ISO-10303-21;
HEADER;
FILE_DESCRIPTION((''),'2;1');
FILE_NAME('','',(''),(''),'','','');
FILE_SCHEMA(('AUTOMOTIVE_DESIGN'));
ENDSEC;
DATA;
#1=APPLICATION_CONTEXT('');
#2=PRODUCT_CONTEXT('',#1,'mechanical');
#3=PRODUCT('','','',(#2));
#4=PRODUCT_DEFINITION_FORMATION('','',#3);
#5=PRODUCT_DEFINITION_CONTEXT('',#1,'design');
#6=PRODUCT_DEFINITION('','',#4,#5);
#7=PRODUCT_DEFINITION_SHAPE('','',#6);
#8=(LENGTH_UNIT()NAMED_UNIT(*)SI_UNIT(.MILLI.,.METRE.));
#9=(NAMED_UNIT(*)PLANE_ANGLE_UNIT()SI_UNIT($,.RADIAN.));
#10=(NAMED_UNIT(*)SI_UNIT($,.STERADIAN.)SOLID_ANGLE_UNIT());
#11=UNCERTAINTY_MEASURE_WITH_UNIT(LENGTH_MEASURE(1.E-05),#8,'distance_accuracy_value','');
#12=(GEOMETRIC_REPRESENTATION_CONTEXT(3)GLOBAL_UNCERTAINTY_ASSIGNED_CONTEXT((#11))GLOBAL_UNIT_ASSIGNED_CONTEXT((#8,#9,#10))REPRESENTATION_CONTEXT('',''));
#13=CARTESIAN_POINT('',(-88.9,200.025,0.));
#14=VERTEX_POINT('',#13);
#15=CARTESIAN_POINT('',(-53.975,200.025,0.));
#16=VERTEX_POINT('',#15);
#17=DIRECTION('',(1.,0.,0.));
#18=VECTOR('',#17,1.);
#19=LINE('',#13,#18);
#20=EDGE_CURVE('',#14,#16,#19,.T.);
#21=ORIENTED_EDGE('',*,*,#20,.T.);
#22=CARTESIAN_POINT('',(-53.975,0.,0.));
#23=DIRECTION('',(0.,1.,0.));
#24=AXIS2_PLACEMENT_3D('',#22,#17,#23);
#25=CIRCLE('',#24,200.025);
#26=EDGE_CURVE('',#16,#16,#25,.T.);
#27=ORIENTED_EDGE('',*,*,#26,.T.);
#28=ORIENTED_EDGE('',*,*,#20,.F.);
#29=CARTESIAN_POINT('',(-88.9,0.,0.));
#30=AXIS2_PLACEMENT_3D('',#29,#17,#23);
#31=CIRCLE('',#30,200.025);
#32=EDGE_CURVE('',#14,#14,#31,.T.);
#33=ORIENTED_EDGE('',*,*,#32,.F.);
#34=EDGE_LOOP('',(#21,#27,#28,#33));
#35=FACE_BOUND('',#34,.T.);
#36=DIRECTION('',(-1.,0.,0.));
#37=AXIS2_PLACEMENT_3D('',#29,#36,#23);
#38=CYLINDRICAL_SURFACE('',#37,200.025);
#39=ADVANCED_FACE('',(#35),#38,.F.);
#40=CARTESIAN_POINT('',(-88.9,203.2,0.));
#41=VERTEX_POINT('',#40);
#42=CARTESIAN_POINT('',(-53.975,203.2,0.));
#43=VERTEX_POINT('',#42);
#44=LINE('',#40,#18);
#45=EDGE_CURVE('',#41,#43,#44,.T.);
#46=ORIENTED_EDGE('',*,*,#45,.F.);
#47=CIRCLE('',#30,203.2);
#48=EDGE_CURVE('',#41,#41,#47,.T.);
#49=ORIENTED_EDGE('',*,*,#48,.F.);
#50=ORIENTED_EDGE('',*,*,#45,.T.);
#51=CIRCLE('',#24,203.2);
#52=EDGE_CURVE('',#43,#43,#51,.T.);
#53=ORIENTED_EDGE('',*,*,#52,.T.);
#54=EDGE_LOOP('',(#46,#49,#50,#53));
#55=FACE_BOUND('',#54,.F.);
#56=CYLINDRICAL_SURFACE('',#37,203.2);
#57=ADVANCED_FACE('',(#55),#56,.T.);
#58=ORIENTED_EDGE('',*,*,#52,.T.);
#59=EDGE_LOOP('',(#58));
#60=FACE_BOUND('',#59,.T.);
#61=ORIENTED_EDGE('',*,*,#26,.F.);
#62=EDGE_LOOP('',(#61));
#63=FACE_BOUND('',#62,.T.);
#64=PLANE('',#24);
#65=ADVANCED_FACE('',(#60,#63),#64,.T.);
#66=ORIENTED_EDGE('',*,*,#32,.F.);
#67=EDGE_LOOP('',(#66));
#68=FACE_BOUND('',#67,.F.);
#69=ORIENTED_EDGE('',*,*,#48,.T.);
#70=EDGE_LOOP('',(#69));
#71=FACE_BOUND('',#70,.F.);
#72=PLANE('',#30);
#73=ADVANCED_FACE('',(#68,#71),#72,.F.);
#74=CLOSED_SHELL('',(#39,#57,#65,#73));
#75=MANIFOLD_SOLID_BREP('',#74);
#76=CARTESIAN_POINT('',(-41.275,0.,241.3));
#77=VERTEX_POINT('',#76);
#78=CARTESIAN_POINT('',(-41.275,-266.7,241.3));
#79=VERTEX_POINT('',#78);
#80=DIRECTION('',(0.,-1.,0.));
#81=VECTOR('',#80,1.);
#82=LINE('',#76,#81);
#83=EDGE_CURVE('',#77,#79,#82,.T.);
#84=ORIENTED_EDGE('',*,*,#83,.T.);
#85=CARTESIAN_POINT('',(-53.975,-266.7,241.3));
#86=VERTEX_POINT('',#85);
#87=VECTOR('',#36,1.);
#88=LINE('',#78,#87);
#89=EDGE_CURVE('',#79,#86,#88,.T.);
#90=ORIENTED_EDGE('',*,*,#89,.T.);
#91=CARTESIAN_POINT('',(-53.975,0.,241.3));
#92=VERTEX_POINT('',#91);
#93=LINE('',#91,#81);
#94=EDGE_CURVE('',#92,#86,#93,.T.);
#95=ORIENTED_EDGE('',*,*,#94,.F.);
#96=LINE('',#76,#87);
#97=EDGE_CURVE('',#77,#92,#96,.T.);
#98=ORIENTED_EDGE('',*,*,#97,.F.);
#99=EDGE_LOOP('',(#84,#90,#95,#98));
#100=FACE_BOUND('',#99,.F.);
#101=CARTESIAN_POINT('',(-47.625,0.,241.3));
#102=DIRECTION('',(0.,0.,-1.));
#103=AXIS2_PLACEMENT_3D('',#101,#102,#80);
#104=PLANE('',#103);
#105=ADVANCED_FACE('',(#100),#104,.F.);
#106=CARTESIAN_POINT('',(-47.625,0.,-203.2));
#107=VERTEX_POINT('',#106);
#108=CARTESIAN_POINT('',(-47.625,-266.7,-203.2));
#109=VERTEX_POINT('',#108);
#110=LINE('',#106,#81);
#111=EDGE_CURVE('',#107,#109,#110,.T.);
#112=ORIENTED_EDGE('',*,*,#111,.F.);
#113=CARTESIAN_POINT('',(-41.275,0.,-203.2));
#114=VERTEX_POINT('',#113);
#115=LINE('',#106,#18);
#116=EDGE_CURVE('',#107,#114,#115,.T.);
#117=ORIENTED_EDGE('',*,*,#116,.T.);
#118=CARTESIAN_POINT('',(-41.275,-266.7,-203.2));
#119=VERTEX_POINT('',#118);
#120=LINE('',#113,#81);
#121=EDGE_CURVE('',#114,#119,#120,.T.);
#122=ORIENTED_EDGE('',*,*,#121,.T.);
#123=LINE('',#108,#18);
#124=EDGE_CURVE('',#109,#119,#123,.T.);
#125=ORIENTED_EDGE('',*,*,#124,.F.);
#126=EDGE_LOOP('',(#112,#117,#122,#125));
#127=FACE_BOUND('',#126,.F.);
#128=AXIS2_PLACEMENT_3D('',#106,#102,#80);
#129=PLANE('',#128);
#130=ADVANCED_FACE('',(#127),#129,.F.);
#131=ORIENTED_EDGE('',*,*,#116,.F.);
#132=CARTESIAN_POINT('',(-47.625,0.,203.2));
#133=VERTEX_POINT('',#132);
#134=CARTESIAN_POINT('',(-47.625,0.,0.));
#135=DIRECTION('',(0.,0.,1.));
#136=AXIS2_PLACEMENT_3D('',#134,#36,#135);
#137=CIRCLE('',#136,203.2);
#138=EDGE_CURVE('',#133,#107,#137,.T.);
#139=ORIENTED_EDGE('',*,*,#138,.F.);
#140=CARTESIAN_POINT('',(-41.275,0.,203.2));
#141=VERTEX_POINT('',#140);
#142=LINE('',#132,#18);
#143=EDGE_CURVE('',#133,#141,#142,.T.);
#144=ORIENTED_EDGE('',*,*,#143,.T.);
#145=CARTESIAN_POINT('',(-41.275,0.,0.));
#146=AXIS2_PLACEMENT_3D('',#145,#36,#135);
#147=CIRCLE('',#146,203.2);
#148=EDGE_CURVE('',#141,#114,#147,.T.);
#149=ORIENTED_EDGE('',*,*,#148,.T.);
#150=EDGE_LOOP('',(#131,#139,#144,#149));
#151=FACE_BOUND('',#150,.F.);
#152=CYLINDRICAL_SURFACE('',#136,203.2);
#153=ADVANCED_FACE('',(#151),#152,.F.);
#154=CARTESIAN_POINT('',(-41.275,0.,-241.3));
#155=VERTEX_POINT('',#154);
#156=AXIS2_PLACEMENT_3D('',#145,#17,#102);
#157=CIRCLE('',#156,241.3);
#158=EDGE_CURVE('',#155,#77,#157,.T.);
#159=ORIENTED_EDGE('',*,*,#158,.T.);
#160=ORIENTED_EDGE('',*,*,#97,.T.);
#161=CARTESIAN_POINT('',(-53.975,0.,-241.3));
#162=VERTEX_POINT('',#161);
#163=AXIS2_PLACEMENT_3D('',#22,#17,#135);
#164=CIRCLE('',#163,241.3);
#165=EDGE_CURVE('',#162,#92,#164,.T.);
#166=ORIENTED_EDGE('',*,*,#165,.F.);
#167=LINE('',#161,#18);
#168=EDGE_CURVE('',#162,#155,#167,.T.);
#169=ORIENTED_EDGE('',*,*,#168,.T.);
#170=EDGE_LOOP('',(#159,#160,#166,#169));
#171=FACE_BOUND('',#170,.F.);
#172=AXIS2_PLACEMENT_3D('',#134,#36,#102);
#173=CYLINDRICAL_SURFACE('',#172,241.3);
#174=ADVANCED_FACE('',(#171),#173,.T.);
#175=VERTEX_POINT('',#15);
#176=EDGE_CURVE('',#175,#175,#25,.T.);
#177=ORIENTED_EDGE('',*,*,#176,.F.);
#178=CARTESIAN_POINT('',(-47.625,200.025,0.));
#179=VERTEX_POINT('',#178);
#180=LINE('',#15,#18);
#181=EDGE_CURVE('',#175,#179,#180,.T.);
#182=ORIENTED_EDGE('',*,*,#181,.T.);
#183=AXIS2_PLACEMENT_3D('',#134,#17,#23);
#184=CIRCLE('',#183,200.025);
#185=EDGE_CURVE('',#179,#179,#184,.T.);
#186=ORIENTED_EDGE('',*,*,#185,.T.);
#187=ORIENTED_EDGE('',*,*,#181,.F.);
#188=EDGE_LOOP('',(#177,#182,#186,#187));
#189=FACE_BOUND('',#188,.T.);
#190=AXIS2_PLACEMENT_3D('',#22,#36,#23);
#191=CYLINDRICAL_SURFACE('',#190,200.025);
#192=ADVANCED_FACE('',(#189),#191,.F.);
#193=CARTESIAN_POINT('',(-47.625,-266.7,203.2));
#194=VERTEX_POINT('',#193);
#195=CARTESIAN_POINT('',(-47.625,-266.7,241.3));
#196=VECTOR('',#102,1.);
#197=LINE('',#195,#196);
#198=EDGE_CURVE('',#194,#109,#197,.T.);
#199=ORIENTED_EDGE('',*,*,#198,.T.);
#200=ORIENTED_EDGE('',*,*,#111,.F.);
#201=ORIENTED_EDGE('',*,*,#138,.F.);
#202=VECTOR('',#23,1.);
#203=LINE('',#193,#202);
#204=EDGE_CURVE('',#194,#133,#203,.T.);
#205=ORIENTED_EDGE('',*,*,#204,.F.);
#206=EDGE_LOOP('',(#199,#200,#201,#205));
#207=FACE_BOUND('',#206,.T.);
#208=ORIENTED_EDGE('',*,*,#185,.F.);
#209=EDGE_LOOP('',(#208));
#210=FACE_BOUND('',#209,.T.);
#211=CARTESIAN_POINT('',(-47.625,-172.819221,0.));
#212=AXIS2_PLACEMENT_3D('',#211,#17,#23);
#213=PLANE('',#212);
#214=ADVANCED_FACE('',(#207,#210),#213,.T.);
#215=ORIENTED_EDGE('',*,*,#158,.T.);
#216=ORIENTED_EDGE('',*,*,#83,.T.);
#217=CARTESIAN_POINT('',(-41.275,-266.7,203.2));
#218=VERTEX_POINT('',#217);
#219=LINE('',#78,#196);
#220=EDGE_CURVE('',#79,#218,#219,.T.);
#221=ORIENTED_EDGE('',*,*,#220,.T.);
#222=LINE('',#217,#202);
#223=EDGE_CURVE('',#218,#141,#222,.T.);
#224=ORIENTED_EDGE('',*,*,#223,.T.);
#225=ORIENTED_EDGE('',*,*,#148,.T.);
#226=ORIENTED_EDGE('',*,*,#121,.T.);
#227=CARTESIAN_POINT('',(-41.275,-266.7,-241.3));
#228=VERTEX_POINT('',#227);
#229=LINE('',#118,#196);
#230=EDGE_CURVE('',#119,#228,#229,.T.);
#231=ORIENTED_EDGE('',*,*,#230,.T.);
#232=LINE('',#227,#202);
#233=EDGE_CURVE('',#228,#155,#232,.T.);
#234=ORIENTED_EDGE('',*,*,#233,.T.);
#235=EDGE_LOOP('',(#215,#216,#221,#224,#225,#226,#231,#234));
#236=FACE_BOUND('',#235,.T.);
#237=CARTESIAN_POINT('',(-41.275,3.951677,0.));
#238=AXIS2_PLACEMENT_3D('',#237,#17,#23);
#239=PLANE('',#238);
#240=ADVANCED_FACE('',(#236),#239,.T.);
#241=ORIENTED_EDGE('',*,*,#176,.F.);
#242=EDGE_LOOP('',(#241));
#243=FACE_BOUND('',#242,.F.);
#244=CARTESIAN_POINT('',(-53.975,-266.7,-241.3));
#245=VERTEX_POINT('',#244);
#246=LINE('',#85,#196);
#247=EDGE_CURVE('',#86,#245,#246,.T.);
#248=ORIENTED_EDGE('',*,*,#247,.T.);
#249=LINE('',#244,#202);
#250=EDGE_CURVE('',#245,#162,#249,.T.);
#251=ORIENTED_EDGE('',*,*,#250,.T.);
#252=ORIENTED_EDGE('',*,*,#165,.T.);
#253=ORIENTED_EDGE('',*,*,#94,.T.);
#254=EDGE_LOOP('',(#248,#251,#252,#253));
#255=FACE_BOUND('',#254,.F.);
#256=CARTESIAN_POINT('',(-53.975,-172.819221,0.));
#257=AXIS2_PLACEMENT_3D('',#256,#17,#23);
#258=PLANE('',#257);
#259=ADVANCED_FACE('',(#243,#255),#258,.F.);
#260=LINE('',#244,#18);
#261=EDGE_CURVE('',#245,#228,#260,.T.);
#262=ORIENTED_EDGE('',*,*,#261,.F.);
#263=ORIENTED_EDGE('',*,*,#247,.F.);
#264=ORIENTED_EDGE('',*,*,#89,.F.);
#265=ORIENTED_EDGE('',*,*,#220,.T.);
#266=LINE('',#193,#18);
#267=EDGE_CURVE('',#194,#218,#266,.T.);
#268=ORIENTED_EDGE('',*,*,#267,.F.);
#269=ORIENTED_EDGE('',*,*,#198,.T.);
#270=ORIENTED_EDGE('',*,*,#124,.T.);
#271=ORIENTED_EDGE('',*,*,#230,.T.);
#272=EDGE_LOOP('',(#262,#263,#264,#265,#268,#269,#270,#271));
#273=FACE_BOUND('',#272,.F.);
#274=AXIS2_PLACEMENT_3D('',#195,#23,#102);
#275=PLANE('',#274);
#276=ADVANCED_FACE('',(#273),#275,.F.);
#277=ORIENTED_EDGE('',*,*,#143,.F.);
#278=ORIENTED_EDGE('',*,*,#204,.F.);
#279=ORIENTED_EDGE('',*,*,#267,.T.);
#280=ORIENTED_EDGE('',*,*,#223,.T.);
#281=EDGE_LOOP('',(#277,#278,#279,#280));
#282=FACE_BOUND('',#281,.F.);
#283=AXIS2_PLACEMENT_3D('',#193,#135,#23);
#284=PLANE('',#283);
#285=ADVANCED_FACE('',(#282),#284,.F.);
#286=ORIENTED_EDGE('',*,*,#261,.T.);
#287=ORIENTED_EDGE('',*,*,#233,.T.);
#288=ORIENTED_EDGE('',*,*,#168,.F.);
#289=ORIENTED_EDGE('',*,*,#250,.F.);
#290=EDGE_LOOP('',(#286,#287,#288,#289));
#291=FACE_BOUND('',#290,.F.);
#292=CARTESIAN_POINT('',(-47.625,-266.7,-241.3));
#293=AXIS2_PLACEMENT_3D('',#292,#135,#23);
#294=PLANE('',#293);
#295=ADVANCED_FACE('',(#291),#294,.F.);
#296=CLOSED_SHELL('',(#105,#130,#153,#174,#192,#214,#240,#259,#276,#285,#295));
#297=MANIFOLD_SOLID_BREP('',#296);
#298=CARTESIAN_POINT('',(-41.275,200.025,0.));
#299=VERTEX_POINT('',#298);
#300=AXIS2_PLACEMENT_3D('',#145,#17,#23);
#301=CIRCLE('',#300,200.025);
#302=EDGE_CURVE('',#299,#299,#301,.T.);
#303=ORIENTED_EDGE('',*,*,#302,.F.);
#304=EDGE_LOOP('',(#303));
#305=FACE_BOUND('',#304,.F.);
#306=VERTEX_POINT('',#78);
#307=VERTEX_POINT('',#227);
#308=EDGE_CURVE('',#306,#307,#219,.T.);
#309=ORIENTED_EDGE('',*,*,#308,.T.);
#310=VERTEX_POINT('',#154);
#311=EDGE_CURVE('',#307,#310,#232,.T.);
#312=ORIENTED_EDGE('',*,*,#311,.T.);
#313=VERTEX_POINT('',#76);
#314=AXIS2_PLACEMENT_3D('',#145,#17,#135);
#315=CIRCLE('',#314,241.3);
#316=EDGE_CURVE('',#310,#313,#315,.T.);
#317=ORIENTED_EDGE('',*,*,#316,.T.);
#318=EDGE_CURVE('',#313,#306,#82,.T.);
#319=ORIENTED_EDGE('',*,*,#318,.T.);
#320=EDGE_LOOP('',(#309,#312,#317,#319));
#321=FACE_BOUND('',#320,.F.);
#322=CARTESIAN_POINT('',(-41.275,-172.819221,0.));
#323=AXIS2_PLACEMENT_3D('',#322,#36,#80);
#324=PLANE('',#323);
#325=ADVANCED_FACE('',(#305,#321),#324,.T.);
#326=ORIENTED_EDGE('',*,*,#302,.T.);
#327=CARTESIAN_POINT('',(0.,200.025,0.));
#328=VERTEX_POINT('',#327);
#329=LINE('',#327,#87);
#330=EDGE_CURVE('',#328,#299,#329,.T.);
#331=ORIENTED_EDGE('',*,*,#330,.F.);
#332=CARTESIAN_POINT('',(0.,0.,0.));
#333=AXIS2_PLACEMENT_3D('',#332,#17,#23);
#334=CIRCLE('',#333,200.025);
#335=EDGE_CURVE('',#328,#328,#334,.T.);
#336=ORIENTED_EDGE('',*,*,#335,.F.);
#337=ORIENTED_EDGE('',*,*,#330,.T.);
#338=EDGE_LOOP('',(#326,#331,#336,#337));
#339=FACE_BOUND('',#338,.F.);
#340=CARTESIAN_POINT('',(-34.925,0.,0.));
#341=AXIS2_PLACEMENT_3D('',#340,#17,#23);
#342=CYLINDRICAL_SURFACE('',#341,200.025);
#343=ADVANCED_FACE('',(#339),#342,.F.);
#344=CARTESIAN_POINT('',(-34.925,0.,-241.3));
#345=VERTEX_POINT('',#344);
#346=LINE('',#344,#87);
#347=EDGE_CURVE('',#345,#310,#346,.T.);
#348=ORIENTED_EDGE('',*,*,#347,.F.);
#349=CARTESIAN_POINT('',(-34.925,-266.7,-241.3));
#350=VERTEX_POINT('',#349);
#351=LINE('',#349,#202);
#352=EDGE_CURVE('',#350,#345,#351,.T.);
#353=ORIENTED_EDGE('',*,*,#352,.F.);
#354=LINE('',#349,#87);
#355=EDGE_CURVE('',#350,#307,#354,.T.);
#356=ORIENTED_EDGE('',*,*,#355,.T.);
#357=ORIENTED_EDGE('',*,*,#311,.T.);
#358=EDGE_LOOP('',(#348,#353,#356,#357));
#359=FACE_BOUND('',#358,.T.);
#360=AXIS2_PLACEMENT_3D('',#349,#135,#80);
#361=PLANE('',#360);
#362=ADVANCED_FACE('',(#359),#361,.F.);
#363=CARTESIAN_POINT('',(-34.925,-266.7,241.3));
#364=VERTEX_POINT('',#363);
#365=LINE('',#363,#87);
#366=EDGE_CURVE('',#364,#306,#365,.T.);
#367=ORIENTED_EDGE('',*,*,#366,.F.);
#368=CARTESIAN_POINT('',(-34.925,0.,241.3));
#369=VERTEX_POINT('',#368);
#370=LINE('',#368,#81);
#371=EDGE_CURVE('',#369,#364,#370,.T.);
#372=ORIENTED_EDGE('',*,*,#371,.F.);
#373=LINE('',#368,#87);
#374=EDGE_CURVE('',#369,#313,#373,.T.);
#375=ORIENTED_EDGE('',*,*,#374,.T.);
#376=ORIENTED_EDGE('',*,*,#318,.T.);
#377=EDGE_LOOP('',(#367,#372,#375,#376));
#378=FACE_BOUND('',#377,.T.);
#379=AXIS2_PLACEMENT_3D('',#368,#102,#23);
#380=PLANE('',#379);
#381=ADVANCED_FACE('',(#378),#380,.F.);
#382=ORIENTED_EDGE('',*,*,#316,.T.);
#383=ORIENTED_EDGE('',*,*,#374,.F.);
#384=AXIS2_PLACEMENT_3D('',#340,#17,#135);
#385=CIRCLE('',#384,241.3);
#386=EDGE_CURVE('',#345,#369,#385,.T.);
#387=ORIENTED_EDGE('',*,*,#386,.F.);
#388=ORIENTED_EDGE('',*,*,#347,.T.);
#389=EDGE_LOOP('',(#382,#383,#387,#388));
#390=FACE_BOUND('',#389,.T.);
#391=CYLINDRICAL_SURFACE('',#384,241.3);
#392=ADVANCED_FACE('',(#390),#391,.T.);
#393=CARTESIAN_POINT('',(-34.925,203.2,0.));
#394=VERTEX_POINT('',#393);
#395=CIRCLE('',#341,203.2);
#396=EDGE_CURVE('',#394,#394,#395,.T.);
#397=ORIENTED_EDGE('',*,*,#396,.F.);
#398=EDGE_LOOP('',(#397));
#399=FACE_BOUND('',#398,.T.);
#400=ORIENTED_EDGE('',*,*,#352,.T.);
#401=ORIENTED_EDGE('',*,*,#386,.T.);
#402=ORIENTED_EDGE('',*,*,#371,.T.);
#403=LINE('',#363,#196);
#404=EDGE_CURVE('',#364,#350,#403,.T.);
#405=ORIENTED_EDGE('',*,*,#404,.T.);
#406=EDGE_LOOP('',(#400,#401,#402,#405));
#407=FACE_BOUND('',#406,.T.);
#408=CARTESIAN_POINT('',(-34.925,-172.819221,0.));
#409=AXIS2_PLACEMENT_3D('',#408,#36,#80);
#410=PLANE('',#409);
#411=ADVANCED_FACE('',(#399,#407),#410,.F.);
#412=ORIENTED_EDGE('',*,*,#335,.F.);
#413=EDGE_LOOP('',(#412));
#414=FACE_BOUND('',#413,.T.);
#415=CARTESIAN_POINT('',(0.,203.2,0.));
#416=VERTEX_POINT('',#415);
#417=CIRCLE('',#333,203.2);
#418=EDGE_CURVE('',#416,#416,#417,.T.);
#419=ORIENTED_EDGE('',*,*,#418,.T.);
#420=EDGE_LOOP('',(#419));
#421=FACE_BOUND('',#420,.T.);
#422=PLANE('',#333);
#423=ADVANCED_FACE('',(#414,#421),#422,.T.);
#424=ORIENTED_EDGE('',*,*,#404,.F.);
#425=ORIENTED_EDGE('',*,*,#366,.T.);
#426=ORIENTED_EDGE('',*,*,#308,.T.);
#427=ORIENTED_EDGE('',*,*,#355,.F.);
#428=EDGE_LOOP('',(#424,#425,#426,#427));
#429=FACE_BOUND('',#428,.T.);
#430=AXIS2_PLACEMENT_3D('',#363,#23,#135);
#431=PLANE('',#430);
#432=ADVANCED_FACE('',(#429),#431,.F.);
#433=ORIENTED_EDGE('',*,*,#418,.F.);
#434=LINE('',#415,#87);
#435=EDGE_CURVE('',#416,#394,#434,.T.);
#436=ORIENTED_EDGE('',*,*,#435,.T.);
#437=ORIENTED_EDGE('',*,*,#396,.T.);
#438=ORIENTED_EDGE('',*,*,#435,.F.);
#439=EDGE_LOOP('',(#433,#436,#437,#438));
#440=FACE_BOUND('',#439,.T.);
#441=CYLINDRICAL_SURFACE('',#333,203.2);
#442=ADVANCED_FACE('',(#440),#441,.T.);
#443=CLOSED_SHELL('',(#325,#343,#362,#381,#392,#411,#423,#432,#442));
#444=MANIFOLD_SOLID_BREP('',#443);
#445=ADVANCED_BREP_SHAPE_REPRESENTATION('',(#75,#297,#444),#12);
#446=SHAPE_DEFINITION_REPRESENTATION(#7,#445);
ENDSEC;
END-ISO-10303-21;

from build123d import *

# Parameters (mm, degrees)
F3_R      = 203.2
F3_R_2    = 200.025
F4_DEPTH  = 34.925
F0_R      = 203.2
F0_R_2    = 200.025
F5_DEPTH  = 34.925
F7_R      = 200.025
F8_DEPTH  = 6.35
F13_DEPTH = 6.35


with BuildPart() as f4:
    # F3 (on line) → F4 (new body)
    with BuildSketch(Plane.YZ.offset(-88.9)):
        Circle(F3_R)
        Circle(F3_R_2, mode=Mode.SUBTRACT)
    extrude(amount=F4_DEPTH)


with BuildPart() as f5:
    # F0 (on Right) → F5 (new body)
    with BuildSketch(Plane.YZ):
        Circle(F0_R)
        Circle(F0_R_2, mode=Mode.SUBTRACT)
    extrude(amount=-F5_DEPTH)

    # F10: F8 across plane


with BuildPart() as f8:
    # F7 (on offset) → F8 (new body)
    with BuildSketch(Plane.YZ.offset(-53.975)):
        with BuildLine():
            ThreePointArc((0, -241.3), (-241.3, 0), (0, 241.3))
            Line((0, 241.3), (-266.7, 241.3))
            Line((-266.7, 241.3), (-266.7, -241.3))
            Line((-266.7, -241.3), (0, -241.3))
        make_face()
        with BuildLine():
            ThreePointArc((0, -241.3), (170.6248663003, -170.6248663003), (241.3, 0))
            ThreePointArc((241.3, 0), (170.6248663003, 170.6248663003), (0, 241.3))
            ThreePointArc((0, 241.3), (-241.3, 0), (0, -241.3))
        make_face()
        Circle(F7_R, mode=Mode.SUBTRACT)
    extrude(amount=F8_DEPTH)


with BuildPart() as f5_1:
    add(f5.part)
    add(f8.part.mirror(Plane(origin=(-44.45, -82.5279579477, 0), x_dir=(0, 1, 0), z_dir=(1, 0, 0))))


with BuildPart() as f8_1:
    add(f8.part)

    # F12 (on offset) → F13 (join)
    with BuildSketch(Plane.YZ.offset(-47.625)):
        with BuildLine():
            Line((-266.7, 203.2), (0, 203.2))
            ThreePointArc((0, 203.2), (203.2, 0), (0, -203.2))
            Line((0, -203.2), (-266.7, -203.2))
            Line((-266.7, -203.2), (-266.7, -241.3))
            Line((-266.7, -241.3), (0, -241.3))
            ThreePointArc((0, -241.3), (241.3, 0), (0, 241.3))
            Line((0, 241.3), (-266.7, 241.3))
            Line((-266.7, 241.3), (-266.7, 203.2))
        make_face()
    extrude(amount=F13_DEPTH)


solid = Compound([f4.part, f5_1.part, f8_1.part])
